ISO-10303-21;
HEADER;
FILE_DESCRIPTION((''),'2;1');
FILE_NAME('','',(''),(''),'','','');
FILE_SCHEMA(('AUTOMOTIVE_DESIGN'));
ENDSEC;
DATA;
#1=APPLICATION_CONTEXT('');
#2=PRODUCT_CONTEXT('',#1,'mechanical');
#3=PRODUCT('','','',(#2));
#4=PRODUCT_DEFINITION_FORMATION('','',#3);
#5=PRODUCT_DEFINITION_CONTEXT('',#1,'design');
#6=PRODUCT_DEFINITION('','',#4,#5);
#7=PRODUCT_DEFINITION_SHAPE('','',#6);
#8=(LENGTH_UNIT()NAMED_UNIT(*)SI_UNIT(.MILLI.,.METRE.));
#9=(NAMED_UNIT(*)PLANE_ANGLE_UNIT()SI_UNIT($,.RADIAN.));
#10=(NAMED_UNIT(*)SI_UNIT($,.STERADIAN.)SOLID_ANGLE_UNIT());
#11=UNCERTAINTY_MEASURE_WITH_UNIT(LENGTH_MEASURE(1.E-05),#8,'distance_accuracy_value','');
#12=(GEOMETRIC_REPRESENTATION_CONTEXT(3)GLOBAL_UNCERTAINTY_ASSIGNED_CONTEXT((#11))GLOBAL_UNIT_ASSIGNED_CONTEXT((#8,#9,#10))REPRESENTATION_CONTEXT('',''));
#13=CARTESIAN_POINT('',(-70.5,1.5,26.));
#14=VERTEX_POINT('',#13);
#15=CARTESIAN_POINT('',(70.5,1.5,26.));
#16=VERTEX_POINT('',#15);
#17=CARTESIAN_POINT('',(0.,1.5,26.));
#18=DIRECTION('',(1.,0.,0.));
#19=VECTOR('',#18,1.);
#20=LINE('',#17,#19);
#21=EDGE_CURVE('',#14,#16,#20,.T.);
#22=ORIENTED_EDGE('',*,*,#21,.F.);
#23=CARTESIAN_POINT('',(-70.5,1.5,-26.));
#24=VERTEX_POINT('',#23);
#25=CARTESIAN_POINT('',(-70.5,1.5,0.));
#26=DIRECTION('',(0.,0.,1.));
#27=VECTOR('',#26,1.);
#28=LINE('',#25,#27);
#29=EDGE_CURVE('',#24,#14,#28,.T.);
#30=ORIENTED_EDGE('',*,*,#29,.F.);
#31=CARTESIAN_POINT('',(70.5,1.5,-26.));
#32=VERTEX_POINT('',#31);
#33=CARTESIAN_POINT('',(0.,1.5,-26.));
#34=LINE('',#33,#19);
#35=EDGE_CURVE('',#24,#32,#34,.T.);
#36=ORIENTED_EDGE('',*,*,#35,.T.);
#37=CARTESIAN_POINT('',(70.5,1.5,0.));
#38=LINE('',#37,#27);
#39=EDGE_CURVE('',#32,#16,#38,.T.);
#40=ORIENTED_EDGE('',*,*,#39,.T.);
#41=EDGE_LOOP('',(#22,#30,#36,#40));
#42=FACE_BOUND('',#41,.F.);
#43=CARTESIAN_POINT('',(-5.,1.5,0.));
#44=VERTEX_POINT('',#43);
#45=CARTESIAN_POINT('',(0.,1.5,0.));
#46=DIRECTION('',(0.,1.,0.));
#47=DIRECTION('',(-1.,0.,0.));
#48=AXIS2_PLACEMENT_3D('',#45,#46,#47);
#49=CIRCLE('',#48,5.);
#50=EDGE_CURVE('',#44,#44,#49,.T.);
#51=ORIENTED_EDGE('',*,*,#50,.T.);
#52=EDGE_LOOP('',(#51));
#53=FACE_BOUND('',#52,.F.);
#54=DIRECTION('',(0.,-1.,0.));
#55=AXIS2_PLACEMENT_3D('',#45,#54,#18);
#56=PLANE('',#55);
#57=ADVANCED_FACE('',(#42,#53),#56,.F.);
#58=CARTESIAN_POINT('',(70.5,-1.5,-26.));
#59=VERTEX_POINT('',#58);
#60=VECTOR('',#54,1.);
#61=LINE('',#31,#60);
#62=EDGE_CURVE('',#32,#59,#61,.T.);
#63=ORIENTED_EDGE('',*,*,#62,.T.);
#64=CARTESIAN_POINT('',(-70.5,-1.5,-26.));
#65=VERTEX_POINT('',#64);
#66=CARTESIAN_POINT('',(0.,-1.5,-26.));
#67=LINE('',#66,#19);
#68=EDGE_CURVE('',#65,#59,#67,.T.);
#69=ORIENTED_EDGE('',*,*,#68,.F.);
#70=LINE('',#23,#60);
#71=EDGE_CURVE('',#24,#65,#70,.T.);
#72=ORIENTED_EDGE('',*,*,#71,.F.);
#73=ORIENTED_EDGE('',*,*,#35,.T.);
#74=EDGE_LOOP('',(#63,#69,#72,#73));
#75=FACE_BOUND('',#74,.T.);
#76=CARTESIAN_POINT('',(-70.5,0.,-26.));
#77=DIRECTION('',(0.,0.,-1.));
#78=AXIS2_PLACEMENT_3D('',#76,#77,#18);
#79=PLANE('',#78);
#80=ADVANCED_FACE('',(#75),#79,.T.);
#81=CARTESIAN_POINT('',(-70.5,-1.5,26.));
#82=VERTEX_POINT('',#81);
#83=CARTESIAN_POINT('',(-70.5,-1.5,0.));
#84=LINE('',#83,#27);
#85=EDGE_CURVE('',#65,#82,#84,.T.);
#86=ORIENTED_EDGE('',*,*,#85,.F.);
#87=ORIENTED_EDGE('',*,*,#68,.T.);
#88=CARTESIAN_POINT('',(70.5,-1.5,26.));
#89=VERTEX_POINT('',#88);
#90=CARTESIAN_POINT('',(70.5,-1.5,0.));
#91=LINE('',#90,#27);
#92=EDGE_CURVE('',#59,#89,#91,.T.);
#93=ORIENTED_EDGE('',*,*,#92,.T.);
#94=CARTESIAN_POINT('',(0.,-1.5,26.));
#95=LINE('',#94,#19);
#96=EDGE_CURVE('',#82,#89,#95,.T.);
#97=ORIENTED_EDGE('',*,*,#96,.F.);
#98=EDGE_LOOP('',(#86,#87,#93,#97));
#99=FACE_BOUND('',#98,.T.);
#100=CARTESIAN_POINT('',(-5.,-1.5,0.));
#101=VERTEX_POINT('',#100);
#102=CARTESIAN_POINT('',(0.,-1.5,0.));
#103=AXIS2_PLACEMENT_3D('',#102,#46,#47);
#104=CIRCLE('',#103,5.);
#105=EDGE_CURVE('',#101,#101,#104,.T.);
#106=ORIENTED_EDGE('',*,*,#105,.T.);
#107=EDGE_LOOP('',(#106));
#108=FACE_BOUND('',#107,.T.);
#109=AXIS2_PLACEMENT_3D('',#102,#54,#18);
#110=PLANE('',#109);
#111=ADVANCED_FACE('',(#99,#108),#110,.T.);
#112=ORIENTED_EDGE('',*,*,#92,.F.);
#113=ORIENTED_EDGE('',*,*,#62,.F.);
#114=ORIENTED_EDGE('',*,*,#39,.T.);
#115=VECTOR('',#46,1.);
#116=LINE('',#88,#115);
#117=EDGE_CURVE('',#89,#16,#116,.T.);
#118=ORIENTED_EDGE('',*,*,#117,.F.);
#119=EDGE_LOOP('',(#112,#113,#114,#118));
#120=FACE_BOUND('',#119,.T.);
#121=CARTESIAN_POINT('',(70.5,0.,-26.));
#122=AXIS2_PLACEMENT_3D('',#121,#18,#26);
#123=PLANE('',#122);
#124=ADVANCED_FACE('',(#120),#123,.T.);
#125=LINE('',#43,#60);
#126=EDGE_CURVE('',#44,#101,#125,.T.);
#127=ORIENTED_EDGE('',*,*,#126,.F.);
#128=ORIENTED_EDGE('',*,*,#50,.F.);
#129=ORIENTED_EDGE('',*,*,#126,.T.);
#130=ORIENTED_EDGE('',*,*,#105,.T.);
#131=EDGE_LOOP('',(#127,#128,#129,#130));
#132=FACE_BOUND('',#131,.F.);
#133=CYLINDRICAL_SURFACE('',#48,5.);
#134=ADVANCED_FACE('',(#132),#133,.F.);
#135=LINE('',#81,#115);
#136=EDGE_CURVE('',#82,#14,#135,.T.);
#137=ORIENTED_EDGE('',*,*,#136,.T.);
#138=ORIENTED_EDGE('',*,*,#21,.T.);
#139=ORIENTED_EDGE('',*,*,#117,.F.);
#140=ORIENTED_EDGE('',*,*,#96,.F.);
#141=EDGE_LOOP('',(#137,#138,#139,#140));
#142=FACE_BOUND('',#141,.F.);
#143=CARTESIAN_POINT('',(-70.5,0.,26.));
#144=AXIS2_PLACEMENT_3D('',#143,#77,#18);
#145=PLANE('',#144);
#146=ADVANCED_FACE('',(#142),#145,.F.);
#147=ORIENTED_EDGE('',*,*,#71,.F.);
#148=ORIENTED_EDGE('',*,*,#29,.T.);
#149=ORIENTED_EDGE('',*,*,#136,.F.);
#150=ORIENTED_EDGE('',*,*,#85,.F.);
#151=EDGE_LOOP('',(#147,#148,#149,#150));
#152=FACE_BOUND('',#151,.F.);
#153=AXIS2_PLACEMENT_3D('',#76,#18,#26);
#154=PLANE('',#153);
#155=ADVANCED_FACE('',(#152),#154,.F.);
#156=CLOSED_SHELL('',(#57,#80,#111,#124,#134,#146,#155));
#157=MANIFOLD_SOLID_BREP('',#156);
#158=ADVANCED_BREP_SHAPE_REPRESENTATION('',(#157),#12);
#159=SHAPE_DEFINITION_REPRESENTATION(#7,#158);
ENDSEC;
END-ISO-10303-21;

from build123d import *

# Parameters (mm, degrees)
F0_W     = 141
F0_H     = 52
F1_DEPTH = 1.5
F2_R     = 5
F3_DEPTH = 3


with BuildPart() as f1:
    # F0 (on Front) → F1 (new body, symmetric)
    with BuildSketch(Plane.XZ):
        Rectangle(F0_W, F0_H)
    extrude(amount=F1_DEPTH, both=True)

    # F2 (on face) → F3 (cut, through all)
    with BuildSketch(Plane(origin=(0, 1.5, 0), x_dir=(-1, 0, 0), z_dir=(0, 1, 0))):
        Circle(F2_R)
    extrude(amount=-F3_DEPTH, mode=Mode.SUBTRACT)


solid = f1.part
